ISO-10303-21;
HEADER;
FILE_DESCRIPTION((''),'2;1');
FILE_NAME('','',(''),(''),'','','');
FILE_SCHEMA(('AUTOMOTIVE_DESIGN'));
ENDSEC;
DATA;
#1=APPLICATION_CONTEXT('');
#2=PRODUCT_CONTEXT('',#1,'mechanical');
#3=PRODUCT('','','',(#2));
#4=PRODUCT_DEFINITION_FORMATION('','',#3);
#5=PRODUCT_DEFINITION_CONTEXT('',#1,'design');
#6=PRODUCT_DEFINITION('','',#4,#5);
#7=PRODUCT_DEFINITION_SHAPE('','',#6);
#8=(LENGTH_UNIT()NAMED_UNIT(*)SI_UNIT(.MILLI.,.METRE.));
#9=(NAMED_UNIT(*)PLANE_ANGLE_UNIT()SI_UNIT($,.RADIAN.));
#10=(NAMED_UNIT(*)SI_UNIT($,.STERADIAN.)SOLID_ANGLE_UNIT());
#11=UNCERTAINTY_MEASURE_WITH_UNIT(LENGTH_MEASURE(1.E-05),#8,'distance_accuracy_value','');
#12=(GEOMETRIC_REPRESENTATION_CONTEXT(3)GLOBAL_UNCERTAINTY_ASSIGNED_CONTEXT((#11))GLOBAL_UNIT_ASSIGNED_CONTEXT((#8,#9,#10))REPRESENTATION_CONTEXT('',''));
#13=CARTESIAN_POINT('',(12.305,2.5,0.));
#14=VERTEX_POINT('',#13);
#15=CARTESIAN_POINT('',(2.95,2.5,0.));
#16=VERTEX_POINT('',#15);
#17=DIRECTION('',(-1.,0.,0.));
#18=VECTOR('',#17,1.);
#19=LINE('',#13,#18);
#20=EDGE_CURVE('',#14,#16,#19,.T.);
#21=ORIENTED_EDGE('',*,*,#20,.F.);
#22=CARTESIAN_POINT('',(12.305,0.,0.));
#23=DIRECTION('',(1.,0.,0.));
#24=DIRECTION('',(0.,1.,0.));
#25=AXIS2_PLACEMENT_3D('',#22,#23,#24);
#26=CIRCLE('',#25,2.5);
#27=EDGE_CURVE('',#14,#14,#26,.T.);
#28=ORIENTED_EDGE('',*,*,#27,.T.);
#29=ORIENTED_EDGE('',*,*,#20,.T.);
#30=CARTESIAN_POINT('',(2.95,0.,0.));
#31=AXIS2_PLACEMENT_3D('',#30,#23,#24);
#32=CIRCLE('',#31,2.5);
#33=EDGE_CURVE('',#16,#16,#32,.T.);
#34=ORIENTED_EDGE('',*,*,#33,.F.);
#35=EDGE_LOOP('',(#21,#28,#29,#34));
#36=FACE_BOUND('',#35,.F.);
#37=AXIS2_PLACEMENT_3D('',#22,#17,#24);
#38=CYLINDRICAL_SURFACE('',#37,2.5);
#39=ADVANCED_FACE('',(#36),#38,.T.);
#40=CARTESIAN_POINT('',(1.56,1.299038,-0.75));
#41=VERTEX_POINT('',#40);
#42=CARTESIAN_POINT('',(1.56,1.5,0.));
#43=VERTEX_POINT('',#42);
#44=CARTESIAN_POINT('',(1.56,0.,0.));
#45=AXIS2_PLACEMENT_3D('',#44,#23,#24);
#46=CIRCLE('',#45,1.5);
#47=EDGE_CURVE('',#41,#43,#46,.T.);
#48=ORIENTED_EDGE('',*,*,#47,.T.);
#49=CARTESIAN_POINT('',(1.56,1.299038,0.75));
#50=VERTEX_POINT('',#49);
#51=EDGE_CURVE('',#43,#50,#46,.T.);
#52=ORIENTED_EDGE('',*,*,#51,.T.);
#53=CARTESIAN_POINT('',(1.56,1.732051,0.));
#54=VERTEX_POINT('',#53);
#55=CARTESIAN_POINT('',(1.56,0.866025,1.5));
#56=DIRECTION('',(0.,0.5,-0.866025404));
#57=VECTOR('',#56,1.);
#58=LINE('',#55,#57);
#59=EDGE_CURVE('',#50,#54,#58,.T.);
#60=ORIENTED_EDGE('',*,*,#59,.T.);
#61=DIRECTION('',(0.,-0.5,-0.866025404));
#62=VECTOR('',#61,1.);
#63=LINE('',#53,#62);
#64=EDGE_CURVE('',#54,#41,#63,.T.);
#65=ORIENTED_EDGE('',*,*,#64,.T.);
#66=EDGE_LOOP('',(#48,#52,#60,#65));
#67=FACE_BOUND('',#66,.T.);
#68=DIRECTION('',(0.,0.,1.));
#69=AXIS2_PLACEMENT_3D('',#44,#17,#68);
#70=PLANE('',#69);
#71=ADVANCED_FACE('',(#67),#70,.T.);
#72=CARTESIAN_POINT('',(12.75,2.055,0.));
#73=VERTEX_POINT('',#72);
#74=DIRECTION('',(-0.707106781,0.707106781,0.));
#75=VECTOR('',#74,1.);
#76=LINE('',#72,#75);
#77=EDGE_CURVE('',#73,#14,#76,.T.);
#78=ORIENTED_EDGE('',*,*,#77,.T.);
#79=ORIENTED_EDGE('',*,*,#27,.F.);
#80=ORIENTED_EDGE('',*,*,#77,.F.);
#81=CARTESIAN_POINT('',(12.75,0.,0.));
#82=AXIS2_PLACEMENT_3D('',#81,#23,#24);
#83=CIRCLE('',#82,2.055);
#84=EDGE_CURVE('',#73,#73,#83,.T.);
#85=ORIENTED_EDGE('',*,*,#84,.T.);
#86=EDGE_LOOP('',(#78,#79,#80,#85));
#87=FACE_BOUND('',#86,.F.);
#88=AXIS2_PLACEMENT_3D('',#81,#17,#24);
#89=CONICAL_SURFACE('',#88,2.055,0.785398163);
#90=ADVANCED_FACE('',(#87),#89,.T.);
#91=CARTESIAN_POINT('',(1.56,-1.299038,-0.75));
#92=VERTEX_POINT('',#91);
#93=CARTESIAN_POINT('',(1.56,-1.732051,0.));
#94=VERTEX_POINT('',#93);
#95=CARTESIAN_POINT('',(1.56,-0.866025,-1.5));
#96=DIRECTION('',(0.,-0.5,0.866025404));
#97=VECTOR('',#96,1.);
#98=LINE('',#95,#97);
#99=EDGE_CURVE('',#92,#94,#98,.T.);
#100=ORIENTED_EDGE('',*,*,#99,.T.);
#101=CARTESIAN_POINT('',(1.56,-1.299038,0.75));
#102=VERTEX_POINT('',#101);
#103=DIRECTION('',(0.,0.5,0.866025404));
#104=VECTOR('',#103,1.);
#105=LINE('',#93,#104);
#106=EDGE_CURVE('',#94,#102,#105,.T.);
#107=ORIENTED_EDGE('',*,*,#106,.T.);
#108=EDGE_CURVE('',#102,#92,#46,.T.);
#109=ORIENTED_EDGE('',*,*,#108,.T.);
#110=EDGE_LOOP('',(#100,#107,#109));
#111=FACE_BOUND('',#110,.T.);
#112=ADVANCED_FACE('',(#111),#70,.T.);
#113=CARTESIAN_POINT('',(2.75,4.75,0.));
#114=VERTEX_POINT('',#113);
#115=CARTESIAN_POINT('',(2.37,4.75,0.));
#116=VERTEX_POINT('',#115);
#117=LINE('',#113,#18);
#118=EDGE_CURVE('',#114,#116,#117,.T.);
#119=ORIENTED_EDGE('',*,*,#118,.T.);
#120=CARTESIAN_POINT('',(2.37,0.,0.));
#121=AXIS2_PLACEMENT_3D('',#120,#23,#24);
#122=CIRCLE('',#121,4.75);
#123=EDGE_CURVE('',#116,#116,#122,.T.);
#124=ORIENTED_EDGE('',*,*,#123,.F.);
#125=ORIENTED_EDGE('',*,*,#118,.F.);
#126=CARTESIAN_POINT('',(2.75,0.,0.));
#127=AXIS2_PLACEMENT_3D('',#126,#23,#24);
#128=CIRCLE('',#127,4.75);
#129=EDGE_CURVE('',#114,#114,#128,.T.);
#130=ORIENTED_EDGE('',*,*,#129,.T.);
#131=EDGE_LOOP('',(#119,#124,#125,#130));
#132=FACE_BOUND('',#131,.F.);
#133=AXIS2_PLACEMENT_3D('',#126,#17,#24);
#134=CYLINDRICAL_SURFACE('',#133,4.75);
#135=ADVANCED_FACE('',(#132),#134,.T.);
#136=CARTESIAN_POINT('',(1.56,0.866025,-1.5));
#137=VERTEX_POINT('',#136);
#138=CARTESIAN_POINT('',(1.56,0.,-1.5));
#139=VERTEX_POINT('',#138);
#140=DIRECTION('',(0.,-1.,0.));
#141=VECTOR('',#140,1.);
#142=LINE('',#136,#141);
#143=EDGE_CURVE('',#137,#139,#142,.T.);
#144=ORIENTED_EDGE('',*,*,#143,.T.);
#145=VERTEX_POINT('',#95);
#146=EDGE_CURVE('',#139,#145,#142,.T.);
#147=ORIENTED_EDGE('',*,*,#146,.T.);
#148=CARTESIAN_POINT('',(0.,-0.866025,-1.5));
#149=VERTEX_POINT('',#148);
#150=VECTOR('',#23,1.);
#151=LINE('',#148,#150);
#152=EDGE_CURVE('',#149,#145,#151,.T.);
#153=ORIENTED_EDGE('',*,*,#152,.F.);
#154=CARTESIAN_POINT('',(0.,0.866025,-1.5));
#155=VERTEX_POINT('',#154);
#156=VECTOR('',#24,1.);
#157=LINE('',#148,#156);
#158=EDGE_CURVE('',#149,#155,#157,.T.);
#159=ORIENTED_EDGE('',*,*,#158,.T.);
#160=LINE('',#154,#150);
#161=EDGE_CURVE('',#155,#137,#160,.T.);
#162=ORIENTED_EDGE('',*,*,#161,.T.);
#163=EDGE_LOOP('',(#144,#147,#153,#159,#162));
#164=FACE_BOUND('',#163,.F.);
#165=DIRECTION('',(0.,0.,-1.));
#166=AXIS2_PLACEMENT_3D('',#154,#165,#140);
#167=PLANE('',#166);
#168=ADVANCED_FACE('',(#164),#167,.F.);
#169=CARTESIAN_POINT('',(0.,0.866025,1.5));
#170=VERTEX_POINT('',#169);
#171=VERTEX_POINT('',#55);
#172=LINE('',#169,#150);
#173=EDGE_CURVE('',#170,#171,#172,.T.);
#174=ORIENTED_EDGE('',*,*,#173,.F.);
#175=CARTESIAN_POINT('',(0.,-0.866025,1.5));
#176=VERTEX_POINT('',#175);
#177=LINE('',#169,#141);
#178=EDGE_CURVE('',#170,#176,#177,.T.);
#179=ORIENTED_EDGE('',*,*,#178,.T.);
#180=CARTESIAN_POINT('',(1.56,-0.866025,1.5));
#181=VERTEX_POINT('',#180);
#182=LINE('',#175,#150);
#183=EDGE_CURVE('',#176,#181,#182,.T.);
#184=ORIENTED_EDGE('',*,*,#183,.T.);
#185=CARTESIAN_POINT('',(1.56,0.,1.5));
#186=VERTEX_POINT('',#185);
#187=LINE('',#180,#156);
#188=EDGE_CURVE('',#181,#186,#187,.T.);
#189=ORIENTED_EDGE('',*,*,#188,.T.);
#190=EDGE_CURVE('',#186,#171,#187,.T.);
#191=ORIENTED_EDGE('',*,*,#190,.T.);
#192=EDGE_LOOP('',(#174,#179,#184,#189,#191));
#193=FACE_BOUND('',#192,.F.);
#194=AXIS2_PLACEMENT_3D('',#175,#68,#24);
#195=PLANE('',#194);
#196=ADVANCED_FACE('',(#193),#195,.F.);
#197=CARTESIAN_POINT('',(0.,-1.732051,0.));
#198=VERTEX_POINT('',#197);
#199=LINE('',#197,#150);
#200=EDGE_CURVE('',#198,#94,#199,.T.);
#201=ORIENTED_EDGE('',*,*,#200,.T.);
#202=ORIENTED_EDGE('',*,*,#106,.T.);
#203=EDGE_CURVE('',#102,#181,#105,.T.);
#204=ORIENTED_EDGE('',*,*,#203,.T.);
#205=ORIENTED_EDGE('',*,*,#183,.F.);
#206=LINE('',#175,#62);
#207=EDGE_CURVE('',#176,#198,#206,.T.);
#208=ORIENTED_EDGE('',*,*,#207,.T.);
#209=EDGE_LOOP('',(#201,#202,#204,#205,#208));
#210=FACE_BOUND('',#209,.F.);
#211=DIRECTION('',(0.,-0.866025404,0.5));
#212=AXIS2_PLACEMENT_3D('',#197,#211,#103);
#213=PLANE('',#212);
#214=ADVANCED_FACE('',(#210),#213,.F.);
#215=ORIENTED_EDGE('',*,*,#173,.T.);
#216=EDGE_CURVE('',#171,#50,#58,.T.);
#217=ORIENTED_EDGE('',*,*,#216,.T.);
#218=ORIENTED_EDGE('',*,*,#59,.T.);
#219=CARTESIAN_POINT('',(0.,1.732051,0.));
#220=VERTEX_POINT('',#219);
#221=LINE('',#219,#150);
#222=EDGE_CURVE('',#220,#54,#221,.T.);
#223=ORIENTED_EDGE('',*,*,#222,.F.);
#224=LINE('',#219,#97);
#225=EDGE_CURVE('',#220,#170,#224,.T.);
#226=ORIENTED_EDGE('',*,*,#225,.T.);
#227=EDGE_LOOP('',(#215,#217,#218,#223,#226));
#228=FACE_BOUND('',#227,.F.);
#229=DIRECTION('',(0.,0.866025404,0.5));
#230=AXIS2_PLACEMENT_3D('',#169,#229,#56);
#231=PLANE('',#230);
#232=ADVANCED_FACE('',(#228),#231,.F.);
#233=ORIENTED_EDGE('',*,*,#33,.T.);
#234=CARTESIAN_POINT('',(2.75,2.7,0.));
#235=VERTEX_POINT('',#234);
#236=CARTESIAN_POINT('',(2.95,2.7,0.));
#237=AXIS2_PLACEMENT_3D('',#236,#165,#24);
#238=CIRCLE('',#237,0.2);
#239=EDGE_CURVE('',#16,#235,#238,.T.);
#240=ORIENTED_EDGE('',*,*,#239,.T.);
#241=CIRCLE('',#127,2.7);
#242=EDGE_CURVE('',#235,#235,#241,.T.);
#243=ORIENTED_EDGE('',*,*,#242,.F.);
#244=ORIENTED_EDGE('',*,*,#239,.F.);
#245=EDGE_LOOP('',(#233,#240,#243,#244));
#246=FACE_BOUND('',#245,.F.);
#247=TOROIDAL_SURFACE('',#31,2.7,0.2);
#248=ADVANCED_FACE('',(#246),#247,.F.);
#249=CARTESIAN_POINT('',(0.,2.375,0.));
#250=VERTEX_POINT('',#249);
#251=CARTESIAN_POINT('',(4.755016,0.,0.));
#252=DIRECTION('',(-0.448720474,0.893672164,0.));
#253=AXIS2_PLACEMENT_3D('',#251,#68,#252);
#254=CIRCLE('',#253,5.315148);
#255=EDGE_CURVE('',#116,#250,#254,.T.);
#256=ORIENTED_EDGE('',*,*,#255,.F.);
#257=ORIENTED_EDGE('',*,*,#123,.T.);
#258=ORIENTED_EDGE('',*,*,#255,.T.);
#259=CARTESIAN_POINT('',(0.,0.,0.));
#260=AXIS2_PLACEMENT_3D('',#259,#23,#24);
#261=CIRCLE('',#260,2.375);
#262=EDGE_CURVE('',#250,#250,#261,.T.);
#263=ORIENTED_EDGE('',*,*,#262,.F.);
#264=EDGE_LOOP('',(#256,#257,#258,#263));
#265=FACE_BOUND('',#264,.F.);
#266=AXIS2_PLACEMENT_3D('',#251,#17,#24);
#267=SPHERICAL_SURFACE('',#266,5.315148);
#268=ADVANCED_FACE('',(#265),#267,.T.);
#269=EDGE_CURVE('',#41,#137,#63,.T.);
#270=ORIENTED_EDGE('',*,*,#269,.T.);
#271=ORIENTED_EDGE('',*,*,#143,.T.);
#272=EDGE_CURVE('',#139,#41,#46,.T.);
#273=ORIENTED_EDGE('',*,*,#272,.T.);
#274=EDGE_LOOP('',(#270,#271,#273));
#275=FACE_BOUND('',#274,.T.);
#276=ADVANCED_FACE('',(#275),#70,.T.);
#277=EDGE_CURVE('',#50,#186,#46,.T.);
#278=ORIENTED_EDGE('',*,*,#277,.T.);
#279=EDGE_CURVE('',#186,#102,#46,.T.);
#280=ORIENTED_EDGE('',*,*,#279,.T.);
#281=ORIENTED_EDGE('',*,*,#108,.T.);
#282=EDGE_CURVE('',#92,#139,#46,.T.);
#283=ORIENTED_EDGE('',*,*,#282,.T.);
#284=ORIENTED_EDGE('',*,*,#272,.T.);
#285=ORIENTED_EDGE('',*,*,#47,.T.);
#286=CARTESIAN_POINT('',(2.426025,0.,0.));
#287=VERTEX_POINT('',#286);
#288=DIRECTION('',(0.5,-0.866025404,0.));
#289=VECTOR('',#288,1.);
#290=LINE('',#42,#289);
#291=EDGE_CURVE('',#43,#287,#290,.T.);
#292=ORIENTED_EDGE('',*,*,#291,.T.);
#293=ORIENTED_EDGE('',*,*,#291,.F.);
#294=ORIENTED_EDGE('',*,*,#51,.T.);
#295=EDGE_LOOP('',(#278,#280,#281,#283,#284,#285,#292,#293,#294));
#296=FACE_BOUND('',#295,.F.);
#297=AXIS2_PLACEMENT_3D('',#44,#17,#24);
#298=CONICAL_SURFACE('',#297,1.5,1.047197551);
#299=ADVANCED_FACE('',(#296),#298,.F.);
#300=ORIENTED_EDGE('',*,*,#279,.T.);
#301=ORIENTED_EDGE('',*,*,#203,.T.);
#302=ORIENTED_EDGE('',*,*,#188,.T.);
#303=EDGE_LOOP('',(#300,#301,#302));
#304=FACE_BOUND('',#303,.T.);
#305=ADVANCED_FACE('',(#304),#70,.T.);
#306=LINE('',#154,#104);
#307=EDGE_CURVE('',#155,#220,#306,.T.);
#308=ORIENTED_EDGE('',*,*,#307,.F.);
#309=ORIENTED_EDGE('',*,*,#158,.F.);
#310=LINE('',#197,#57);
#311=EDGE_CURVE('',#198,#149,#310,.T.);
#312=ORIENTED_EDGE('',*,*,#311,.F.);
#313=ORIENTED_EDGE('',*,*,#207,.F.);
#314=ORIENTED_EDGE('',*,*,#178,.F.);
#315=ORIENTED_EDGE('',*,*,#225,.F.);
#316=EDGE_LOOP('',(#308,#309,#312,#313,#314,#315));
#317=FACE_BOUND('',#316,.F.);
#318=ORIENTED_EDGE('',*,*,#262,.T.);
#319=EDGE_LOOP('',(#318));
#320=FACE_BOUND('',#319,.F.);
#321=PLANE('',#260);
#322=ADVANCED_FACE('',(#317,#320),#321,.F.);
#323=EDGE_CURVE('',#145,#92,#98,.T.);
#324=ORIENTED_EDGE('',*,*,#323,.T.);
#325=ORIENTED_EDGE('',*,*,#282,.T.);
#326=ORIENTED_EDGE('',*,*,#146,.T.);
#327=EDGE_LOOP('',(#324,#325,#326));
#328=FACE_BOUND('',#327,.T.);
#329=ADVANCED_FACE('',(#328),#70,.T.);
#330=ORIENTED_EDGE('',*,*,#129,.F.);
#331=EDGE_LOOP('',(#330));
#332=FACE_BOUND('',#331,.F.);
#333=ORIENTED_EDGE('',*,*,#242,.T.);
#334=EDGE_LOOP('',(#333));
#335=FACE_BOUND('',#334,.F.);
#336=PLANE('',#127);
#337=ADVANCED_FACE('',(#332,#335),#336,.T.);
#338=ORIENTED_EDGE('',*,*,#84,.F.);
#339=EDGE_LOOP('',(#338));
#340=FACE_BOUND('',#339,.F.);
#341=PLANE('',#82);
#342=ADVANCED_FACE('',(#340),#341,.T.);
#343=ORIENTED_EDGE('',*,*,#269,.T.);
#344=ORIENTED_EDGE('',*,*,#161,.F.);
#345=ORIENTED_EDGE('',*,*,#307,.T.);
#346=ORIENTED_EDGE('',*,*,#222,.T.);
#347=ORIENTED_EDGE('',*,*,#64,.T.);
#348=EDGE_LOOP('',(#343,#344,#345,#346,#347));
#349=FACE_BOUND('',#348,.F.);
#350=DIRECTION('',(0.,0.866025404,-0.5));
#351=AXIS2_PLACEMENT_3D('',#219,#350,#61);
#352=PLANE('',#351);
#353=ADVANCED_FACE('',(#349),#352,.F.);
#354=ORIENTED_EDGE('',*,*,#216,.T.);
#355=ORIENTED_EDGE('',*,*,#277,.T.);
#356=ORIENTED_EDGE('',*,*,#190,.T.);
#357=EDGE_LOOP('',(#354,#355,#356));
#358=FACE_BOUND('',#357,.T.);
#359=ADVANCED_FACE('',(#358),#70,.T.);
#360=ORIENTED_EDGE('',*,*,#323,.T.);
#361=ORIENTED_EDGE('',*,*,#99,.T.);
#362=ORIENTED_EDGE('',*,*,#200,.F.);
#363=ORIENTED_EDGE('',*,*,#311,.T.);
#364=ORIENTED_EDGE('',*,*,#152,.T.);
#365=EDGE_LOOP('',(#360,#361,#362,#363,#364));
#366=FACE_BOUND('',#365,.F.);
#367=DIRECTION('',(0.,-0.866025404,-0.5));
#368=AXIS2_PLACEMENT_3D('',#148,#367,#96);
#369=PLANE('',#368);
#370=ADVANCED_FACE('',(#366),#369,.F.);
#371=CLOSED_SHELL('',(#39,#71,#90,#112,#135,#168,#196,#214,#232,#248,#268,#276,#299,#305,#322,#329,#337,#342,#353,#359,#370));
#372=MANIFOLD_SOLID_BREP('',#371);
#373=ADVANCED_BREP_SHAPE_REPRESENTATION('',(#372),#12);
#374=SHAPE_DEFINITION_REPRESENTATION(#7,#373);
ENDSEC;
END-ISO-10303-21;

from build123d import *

# Parameters (mm, degrees)
FILLET1_R   = 0.2
HEX_2_DEPTH = 1.56


with BuildPart() as part:
    # BodySke → BaseBody (revolve)
    with BuildSketch(Plane.XY):
        with BuildLine():
            Line((12.75, 0), (12.75, 2.055))
            Line((12.75, 2.055), (12.305, 2.5))
            Line((12.305, 2.5), (2.75, 2.5))
            Line((2.75, 2.5), (2.75, 4.75))
            Line((2.75, 4.75), (2.37, 4.75))
            ThreePointArc((2.37, 4.75), (0.992680215, 3.754414901), (0, 2.375))
            Line((0, 2.375), (0, 0))
            Line((0, 0), (12.75, 0))
        make_face()
    revolve(axis=Axis((0, 0, 0), (1, 0, 0)))

    # Fillet1
    fillet1_edges = [part.edges().sort_by_distance(p)[0] for p in [
        (2.75, -2.5, 0),
    ]]
    fillet(fillet1_edges, radius=FILLET1_R)

    # Sketch2 → PreBroach (revolve, cut)
    with BuildSketch(Plane.XY):
        Polygon((0, 1.5), (1.56, 1.5), (2.426025404, 0), (0, 0), align=None)
    revolve(axis=Axis((0, 0, 0), (1, 0, 0)), mode=Mode.SUBTRACT)

    # Sketch3 → Hex 2 (cut)
    with BuildSketch(Plane(origin=(0, 0, 0), x_dir=(0, 0, -1), z_dir=(1, 0, 0))):
        Polygon((-1.5, -0.866025404), (-1.5, 0.866025404), (0, 1.732050808), (1.5, 0.866025404), (1.5, -0.866025404), (0, -1.732050808), align=None)
    extrude(amount=HEX_2_DEPTH, mode=Mode.SUBTRACT)


solid = part.part
